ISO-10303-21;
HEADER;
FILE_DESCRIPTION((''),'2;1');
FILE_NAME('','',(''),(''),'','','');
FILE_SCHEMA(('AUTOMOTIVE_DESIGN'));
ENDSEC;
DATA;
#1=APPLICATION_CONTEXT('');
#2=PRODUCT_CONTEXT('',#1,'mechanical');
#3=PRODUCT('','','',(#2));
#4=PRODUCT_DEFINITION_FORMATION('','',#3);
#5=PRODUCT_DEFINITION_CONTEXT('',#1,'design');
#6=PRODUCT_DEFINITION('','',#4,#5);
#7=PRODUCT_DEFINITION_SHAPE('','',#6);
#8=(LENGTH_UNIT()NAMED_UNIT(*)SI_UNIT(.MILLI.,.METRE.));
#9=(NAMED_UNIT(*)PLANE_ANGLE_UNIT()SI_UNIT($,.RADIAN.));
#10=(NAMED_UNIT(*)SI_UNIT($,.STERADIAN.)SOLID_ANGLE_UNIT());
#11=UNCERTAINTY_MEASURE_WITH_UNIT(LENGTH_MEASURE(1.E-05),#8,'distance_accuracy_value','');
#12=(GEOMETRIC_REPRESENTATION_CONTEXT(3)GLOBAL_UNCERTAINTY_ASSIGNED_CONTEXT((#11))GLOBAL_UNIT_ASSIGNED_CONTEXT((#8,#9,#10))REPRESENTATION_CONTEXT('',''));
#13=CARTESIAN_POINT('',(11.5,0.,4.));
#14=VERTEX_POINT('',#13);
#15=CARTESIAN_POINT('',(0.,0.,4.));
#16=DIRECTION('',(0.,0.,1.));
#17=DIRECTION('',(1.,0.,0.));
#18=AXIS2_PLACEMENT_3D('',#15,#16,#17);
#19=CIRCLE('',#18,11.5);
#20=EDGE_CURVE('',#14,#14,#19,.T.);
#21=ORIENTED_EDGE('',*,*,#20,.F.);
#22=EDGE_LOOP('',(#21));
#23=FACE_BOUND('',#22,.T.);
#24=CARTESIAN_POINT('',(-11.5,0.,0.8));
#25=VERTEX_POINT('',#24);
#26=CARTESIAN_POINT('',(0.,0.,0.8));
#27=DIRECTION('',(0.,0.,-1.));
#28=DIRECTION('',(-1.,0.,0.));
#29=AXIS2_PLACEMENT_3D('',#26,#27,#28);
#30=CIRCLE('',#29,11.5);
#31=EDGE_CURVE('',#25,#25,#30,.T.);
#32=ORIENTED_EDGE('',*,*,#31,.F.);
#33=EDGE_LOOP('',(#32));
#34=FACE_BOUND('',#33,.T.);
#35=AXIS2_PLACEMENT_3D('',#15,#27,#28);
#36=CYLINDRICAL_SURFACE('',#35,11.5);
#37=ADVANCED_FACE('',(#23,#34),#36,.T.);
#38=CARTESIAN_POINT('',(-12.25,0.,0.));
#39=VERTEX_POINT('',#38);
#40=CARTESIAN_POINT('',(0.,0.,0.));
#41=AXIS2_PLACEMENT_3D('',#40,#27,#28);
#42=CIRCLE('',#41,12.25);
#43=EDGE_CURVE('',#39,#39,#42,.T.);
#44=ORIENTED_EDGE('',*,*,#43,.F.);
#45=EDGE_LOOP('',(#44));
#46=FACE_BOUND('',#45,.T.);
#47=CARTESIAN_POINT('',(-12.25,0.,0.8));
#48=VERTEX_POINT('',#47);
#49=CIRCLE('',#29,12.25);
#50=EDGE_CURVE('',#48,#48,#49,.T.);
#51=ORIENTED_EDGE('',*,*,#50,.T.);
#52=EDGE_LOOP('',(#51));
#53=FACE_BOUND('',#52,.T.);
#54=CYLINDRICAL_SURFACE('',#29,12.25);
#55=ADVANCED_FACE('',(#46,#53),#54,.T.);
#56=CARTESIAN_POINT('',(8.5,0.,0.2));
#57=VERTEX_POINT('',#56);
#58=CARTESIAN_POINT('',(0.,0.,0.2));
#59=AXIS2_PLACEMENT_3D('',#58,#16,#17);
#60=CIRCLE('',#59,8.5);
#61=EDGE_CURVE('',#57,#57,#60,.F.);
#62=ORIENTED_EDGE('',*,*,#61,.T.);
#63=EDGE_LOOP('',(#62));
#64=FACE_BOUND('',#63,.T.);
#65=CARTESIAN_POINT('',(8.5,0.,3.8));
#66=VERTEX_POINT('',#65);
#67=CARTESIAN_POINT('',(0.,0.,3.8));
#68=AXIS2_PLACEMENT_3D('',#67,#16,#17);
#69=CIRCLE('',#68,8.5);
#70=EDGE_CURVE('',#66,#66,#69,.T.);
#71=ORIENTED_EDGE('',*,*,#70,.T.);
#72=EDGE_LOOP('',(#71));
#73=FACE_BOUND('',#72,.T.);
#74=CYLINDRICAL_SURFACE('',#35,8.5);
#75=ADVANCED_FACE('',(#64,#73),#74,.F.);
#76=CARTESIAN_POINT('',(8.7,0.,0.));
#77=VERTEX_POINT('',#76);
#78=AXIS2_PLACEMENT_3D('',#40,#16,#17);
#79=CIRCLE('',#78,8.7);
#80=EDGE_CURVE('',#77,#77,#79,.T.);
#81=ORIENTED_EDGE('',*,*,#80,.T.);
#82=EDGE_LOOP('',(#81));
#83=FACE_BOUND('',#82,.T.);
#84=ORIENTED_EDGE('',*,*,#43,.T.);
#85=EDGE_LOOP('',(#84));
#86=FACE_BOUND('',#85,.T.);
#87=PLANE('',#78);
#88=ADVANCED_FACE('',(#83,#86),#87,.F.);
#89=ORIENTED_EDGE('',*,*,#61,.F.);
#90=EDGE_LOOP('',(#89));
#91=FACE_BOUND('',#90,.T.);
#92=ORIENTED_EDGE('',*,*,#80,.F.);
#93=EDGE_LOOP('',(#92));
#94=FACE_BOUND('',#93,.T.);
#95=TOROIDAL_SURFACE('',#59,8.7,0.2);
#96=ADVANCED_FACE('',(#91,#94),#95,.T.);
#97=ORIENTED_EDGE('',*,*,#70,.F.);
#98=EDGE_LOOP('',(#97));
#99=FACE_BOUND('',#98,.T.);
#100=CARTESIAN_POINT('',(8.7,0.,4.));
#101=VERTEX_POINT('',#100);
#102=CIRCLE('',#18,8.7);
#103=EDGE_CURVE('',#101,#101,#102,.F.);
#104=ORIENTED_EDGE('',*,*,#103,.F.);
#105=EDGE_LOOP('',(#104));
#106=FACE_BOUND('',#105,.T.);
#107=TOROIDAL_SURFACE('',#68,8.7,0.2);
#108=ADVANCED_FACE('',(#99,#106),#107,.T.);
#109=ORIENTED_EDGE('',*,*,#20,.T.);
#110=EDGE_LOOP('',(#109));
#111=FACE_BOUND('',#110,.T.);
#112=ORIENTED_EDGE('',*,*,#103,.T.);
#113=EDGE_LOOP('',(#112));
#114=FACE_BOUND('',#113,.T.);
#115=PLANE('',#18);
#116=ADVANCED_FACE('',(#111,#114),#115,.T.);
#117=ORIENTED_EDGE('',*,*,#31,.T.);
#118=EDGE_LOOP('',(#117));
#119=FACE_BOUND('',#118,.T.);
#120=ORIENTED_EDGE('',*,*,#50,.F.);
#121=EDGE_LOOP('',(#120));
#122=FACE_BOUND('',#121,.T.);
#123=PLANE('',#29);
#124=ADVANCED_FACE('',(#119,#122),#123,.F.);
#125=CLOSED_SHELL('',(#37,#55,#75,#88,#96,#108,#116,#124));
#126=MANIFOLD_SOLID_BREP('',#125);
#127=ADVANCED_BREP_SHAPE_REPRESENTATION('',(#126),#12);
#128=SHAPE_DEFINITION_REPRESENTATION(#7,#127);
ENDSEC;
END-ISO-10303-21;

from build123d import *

# Parameters (mm, degrees)
SKETCH_1_R      = 11.5
SKETCH_1_R_2    = 8.5
EXTRUDE_1_DEPTH = 4
SKETCH_2_R      = 12.25
SKETCH_2_R_2    = 11.5
EXTRUDE_2_DEPTH = 0.8
FILLET_1_R      = 0.2


with BuildPart() as part:
    # ｽｹｯﾁ1 → 押し出し-薄板1 (new body)
    with BuildSketch(Plane.XY):
        Circle(SKETCH_1_R)
        Circle(SKETCH_1_R_2, mode=Mode.SUBTRACT)
    extrude(amount=EXTRUDE_1_DEPTH)

    # ｽｹｯﾁ2 → 押し出し-薄板2 (add)
    with BuildSketch(Plane(origin=(0, 0, 0), x_dir=(-1, 0, 0), z_dir=(0, 0, -1))):
        Circle(SKETCH_2_R)
        Circle(SKETCH_2_R_2, mode=Mode.SUBTRACT)
    extrude(amount=-EXTRUDE_2_DEPTH)

    # ﾌｨﾚｯﾄ1
    fillet_1_edges = [part.edges().sort_by_distance(p)[0] for p in [
        (-8.5, 0, 0),
        (-8.5, 0, 4),
    ]]
    fillet(fillet_1_edges, radius=FILLET_1_R)


solid = part.part
